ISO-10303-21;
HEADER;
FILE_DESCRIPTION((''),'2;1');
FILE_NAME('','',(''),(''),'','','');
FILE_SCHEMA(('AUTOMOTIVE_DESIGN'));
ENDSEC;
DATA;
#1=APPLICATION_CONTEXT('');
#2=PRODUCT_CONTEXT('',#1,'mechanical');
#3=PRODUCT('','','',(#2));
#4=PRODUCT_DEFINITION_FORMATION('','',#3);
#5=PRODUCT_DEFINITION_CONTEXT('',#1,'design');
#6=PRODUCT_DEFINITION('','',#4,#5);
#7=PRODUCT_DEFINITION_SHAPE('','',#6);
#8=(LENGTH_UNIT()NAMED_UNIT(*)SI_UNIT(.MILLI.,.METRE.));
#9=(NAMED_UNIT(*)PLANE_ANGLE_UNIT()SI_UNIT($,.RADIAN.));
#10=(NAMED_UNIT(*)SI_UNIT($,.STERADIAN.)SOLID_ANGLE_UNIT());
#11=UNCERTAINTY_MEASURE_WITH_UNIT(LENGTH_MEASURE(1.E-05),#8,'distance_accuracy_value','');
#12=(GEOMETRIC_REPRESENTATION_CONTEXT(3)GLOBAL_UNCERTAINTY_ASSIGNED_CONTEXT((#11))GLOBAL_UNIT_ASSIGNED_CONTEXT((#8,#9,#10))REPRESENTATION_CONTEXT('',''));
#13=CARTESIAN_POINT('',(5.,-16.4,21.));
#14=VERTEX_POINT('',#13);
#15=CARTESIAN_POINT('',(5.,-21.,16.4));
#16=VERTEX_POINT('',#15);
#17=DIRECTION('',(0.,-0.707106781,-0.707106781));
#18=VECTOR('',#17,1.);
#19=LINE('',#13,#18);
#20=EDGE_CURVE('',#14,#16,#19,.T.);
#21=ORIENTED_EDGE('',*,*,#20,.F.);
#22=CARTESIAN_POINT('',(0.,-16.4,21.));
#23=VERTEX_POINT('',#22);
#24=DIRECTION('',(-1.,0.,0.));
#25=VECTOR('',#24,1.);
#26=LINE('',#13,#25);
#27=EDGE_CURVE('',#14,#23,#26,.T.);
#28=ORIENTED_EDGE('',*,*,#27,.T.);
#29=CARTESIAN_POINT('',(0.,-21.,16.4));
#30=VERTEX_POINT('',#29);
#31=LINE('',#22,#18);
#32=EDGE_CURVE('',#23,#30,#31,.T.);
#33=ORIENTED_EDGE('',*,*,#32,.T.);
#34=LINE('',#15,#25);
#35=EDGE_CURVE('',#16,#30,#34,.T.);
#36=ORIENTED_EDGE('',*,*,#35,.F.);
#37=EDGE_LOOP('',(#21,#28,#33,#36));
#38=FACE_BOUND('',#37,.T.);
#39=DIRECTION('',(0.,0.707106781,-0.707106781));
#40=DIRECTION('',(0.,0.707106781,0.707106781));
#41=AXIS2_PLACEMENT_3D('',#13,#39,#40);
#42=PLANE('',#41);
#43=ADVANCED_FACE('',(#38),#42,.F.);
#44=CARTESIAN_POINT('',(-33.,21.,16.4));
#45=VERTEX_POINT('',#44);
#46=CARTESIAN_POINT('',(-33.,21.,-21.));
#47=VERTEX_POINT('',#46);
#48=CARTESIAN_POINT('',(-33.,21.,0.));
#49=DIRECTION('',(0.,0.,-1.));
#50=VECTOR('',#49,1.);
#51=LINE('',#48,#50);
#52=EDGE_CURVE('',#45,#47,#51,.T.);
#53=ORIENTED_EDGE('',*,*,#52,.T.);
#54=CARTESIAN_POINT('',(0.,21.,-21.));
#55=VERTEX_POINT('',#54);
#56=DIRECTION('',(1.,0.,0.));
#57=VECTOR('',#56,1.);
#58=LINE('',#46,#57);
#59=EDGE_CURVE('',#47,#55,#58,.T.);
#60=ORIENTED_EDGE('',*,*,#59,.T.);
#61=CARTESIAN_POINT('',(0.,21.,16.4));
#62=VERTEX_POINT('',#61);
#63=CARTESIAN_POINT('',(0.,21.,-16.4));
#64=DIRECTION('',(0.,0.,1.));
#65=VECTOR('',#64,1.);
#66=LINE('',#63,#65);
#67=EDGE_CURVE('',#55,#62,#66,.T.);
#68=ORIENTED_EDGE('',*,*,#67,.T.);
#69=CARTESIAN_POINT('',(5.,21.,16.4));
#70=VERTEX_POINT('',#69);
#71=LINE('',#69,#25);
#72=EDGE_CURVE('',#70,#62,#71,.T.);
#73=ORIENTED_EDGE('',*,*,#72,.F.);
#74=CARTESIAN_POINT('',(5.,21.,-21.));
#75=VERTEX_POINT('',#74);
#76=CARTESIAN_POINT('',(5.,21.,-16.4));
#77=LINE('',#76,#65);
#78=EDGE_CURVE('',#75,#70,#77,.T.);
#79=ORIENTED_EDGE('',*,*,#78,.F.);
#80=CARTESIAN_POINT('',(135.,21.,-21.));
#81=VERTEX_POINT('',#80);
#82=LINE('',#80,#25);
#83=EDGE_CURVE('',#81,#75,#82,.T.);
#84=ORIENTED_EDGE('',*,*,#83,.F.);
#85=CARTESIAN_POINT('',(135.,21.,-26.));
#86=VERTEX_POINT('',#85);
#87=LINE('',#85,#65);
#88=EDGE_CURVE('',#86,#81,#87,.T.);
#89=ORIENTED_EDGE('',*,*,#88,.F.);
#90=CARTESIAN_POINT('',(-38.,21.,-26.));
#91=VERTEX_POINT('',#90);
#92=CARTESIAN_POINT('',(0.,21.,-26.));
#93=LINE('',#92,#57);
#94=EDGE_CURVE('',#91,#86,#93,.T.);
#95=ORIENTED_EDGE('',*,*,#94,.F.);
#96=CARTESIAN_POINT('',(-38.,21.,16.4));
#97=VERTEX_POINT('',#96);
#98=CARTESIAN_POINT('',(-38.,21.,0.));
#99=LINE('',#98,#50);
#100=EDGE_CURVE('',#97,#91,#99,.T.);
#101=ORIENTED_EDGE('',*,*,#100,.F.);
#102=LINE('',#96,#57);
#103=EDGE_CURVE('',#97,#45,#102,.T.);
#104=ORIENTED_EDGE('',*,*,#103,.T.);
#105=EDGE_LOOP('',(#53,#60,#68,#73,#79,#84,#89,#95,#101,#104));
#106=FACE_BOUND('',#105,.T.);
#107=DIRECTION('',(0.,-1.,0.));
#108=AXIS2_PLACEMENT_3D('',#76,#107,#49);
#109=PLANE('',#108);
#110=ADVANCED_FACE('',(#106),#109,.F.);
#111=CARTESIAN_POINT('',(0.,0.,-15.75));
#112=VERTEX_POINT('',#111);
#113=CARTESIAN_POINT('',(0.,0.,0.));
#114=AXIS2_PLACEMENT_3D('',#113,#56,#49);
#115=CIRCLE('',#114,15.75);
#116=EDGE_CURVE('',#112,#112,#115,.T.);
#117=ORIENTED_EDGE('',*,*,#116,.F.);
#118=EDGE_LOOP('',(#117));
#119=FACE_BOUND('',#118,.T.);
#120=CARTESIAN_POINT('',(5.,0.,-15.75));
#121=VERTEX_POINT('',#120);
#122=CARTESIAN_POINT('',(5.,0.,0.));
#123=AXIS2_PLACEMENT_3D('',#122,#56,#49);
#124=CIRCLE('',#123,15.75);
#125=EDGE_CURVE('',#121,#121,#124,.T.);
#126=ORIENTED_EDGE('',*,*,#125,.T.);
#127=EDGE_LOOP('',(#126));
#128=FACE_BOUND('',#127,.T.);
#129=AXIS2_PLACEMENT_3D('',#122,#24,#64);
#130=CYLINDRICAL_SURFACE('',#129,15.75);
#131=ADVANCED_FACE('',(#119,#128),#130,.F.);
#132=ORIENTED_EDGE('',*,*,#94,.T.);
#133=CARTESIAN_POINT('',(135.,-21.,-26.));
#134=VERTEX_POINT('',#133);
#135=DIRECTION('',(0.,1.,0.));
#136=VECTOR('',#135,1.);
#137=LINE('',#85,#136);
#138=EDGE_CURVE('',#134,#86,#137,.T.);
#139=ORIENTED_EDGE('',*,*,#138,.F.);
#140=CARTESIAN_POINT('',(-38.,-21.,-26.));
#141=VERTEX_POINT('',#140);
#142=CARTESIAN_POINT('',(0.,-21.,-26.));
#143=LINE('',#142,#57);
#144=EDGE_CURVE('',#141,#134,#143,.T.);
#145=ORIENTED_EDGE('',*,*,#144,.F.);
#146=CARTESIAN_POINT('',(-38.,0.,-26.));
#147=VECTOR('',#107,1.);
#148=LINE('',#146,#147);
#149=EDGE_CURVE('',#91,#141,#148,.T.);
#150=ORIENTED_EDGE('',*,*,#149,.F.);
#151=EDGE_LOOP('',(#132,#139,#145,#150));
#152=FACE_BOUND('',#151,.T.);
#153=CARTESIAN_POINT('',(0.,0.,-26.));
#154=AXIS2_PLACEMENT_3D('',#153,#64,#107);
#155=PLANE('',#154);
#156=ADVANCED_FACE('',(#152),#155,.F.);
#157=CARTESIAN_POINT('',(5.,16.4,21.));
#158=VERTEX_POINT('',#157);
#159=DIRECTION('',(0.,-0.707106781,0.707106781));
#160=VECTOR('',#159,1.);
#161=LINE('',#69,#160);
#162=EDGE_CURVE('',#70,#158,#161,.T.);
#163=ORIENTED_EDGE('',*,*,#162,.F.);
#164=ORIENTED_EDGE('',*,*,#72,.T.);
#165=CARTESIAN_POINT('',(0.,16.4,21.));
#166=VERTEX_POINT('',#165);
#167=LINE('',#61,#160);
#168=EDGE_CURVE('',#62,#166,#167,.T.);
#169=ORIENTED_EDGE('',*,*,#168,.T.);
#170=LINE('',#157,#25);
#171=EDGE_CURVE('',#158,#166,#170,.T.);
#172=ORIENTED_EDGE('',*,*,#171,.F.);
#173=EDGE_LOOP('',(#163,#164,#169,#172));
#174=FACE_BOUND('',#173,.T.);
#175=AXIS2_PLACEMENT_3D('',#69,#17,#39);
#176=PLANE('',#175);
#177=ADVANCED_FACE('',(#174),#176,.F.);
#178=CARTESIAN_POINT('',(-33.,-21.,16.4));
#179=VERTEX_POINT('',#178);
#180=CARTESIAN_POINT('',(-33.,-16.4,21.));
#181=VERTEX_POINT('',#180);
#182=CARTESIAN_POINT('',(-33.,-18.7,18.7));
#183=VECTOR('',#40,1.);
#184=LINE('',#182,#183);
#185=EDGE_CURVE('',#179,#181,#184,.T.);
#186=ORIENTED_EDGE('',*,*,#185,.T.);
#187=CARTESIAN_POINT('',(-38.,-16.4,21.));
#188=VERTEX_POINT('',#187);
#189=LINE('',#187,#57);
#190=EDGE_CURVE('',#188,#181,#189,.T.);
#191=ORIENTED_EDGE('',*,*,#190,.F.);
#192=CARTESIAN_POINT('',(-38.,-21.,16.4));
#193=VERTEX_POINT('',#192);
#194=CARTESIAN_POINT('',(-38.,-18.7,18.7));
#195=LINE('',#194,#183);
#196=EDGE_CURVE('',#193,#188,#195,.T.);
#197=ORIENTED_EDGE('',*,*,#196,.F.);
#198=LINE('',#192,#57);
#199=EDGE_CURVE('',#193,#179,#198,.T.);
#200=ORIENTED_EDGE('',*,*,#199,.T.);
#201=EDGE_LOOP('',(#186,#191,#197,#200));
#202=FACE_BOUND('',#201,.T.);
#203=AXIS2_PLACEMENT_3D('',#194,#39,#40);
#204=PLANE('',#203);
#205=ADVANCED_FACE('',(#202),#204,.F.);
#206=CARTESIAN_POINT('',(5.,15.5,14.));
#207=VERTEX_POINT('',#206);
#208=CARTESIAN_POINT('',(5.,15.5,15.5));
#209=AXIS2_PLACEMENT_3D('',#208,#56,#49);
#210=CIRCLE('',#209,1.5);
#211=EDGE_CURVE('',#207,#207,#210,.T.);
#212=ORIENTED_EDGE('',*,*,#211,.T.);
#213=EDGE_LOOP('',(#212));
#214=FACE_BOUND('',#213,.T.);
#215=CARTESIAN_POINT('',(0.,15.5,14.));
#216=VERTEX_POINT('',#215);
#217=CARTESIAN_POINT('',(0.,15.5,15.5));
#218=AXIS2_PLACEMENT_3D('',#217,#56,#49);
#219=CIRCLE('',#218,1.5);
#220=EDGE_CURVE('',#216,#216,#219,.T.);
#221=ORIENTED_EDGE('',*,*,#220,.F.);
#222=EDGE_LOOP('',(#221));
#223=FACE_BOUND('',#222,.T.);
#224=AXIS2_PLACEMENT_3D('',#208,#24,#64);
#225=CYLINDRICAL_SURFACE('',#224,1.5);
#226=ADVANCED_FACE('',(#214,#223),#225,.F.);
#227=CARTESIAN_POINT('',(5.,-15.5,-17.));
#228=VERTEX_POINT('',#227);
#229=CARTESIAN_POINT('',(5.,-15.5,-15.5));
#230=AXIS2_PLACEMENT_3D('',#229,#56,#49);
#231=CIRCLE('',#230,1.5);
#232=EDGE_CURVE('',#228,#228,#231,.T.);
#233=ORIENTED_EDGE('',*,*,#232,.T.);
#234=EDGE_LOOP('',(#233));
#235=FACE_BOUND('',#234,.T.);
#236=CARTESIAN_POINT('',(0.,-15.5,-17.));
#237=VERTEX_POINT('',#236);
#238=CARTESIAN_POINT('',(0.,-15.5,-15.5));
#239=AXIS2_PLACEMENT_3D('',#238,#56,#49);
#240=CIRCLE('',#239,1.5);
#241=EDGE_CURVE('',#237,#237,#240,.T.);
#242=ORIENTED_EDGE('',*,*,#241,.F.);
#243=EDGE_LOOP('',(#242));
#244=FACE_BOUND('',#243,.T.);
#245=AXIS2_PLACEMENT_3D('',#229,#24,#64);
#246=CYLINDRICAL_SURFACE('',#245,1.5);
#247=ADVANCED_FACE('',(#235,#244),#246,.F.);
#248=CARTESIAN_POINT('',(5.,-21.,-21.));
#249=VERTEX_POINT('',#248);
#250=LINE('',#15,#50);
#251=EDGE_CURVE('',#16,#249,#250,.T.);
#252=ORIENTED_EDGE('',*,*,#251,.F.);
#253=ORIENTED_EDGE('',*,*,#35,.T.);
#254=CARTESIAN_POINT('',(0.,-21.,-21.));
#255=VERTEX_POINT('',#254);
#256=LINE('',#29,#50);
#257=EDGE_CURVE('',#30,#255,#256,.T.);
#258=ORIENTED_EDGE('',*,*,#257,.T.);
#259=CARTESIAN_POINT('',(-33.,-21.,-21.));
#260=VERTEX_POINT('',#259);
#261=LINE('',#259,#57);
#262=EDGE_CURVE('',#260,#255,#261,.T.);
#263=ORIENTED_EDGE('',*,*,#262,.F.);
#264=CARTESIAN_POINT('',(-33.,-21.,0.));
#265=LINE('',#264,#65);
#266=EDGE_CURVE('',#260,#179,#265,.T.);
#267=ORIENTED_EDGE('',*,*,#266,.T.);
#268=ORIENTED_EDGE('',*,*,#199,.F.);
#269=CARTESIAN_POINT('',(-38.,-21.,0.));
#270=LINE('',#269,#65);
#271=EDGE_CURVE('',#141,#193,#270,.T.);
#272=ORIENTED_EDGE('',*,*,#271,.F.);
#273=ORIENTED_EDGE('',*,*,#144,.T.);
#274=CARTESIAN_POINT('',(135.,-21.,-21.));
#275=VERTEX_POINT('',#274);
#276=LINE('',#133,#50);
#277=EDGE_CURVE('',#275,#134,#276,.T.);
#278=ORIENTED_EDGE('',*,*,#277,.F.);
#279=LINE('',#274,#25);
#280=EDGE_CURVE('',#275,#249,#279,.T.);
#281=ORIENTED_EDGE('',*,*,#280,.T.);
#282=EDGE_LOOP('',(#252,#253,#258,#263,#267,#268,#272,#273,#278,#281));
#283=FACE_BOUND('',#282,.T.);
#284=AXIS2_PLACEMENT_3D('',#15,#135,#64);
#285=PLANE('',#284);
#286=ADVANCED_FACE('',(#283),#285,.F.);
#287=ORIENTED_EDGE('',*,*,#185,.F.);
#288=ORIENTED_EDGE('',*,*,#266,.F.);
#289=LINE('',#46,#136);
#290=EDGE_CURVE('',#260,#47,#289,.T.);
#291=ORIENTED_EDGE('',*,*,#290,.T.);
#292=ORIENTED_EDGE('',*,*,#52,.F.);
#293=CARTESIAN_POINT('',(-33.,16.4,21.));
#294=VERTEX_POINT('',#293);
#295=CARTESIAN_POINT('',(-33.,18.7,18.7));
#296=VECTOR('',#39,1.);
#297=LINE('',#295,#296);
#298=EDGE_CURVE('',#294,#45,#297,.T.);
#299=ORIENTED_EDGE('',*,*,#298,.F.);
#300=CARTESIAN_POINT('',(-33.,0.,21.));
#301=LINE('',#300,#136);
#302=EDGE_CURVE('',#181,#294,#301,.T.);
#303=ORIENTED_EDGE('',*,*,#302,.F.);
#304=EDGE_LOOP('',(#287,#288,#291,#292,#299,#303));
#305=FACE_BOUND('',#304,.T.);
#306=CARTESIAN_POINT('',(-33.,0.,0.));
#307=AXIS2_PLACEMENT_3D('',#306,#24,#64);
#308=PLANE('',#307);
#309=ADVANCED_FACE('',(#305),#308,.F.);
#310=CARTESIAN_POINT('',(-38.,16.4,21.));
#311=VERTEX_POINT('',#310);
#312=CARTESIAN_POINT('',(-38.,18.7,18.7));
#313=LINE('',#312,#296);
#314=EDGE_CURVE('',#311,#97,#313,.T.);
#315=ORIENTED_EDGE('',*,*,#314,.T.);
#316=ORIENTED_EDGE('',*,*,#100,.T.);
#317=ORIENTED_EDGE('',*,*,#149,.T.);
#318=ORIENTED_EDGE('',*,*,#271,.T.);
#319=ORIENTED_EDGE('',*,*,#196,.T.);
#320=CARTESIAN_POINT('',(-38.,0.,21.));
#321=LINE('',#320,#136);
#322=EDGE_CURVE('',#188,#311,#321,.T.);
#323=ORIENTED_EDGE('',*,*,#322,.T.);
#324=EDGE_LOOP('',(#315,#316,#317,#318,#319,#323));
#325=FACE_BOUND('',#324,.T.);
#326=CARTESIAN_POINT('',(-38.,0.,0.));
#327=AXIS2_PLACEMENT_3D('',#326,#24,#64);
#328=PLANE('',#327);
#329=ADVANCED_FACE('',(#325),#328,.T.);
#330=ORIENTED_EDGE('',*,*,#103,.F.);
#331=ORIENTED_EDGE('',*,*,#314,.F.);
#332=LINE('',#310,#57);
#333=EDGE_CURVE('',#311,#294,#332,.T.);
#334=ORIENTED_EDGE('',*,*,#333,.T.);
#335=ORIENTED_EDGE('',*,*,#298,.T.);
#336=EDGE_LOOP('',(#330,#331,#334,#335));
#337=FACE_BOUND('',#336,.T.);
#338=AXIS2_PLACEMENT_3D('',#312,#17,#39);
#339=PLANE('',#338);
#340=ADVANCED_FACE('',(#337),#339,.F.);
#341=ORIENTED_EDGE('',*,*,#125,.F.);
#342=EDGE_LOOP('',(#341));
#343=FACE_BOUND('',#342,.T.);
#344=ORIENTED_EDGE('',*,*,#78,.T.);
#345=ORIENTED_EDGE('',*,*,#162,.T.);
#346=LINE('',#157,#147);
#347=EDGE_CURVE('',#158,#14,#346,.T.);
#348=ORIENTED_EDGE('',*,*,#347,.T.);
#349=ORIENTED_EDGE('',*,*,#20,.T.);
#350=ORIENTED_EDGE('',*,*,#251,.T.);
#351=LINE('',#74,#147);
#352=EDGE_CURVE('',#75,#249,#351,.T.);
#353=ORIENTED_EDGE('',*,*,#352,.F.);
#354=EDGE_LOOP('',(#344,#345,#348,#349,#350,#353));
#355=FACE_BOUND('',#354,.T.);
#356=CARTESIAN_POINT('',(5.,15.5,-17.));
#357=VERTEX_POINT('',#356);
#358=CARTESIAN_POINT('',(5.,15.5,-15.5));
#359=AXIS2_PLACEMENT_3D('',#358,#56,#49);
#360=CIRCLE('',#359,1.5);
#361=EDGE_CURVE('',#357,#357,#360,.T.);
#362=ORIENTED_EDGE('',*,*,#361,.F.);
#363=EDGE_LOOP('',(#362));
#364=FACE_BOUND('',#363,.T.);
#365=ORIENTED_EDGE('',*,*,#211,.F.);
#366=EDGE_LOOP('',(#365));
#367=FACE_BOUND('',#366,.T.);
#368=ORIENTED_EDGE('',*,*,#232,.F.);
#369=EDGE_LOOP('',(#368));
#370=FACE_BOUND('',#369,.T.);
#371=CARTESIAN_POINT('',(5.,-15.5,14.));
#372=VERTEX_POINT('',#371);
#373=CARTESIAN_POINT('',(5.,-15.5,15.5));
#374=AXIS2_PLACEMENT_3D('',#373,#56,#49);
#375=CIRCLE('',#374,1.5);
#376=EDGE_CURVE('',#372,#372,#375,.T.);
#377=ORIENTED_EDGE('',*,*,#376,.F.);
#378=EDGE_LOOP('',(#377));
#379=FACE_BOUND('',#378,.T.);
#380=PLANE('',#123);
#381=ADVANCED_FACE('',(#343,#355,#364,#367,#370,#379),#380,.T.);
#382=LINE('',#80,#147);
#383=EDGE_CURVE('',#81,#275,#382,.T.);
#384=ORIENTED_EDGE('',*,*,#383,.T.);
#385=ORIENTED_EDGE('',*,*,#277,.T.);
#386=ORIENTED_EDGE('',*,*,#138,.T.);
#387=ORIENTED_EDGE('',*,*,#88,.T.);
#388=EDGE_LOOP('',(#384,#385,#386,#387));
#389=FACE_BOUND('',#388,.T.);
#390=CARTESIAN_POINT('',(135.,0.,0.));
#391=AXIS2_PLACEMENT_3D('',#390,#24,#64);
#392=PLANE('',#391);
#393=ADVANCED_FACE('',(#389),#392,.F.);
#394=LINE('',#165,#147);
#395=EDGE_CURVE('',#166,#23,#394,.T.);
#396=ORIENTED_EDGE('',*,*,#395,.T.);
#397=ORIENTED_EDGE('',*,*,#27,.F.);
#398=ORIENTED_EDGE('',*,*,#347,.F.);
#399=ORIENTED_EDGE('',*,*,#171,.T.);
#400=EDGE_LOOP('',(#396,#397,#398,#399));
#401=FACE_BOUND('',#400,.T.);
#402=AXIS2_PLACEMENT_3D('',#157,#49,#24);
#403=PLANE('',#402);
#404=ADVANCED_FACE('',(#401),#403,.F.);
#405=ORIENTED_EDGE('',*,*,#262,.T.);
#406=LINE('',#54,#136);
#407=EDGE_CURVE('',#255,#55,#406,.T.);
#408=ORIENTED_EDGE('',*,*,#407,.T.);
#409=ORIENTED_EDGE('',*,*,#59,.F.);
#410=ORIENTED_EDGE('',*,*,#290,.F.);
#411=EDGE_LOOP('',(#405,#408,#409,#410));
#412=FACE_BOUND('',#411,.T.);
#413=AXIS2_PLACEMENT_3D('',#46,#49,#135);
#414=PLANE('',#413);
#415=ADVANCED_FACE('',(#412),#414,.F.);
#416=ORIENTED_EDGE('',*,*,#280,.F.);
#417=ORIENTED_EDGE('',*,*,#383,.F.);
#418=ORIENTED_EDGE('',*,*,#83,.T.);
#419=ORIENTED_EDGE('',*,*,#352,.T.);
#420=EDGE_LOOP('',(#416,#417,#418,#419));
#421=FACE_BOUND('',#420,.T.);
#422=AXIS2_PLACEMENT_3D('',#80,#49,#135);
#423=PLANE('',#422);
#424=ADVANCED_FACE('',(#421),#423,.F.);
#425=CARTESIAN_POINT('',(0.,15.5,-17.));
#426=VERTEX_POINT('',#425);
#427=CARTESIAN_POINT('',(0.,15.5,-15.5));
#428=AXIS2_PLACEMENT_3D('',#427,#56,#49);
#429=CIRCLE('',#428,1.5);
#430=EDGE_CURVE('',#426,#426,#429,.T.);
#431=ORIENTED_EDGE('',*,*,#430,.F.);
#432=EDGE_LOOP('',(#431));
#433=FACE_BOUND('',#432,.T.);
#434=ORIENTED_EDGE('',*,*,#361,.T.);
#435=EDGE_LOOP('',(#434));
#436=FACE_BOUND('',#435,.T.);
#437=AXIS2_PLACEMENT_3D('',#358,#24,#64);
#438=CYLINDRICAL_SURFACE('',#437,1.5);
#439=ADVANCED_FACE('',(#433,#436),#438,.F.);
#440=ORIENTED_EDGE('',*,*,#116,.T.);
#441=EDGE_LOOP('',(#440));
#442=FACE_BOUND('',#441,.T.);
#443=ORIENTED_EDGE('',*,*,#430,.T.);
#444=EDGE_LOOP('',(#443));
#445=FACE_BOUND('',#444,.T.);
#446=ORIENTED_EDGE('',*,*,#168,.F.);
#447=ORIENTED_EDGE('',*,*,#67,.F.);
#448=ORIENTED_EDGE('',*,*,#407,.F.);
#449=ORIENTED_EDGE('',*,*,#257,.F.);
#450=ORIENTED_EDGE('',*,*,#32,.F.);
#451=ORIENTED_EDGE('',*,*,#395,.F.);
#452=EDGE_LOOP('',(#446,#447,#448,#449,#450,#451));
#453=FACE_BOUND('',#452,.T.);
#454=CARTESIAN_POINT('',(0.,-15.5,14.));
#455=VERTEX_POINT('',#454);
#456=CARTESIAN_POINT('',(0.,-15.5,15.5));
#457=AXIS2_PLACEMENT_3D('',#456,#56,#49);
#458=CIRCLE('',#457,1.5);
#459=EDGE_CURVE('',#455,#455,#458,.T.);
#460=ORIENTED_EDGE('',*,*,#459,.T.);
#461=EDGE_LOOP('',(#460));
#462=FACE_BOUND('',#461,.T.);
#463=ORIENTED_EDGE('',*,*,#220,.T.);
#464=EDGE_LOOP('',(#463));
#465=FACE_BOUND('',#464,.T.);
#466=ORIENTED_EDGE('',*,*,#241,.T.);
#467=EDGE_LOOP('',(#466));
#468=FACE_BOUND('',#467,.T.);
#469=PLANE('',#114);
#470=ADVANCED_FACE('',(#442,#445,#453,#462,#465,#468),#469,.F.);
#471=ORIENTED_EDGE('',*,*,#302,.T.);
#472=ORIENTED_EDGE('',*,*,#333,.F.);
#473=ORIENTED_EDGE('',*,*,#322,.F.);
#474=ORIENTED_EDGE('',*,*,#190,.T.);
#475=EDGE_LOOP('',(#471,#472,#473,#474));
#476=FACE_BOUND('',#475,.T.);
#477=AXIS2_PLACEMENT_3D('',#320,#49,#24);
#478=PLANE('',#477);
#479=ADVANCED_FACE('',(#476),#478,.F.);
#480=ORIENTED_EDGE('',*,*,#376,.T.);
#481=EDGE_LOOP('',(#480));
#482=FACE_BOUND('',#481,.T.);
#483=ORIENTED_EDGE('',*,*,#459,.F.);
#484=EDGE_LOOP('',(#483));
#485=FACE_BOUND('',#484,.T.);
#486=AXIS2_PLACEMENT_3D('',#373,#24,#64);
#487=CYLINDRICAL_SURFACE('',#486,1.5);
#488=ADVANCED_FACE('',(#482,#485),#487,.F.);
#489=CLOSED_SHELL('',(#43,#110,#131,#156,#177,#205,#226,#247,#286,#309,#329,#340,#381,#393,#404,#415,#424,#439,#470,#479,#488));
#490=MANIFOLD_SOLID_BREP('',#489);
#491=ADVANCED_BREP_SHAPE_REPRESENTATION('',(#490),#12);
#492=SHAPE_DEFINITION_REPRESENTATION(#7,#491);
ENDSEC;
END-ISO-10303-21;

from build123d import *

# Parameters (mm, degrees)
BOSS_EXTRUDE1_DEPTH = 5
BOSS_EXTRUDE3_DEPTH = 5
SKETCH5_W           = 5
SKETCH5_H           = 42
BOSS_EXTRUDE4_DEPTH = 33
SKETCH6_W           = 5
SKETCH6_H           = 42
BOSS_EXTRUDE5_DEPTH = 5
SKETCH7_W           = 5
SKETCH7_H           = 42
BOSS_EXTRUDE6_DEPTH = 130


with BuildPart() as part:
    # Sketch2 → Boss-Extrude1 (new body)
    with BuildSketch(Plane(origin=(0, 0, 0), x_dir=(0, 0, -1), z_dir=(1, 0, 0))):
        Polygon((-21, 16.4), (-21, -16.4), (-16.4, -21), (16.4, -21), (21, -16.4), (21, 16.4), (16.4, 21), (-16.4, 21), align=None)
        with BuildLine():
            ThreePointArc((-14, 15.5), (-15.5, 17), (-17, 15.5))
            ThreePointArc((-17, 15.5), (-15.5, 14), (-14, 15.5))
        make_face(mode=Mode.SUBTRACT)
        with BuildLine():
            ThreePointArc((15.75, 0), (0, 15.75), (-15.75, 0))
            ThreePointArc((-15.75, 0), (0, -15.75), (15.75, 0))
        make_face(mode=Mode.SUBTRACT)
        with BuildLine():
            ThreePointArc((17, -15.5), (15.5, -14), (14, -15.5))
            ThreePointArc((14, -15.5), (15.5, -17), (17, -15.5))
        make_face(mode=Mode.SUBTRACT)
        with BuildLine():
            ThreePointArc((17, 15.5), (15.5, 17), (14, 15.5))
            ThreePointArc((14, 15.5), (15.5, 14), (17, 15.5))
        make_face(mode=Mode.SUBTRACT)
        with BuildLine():
            ThreePointArc((-14, -15.5), (-15.5, -14), (-17, -15.5))
            ThreePointArc((-17, -15.5), (-15.5, -17), (-14, -15.5))
        make_face(mode=Mode.SUBTRACT)
    extrude(amount=BOSS_EXTRUDE1_DEPTH)

    # Sketch4 → Boss-Extrude3 (add)
    with BuildSketch(Plane(origin=(5, 0, 0), x_dir=(0, 0, -1), z_dir=(1, 0, 0))):
        Polygon((26, 21), (26, -21), (16.4, -21), (21, -16.4), (21, 16.4), (16.4, 21), align=None)
    extrude(amount=-BOSS_EXTRUDE3_DEPTH)

    # Sketch5 → Boss-Extrude4 (add)
    with BuildSketch(Plane.ZY):
        with Locations((-23.5, 0)):
            Rectangle(SKETCH5_W, SKETCH5_H)
    extrude(amount=BOSS_EXTRUDE4_DEPTH)

    # Sketch6 → Boss-Extrude5 (add)
    with BuildSketch(Plane.ZY.offset(33)):
        with Locations((-23.5, 0)):
            Rectangle(SKETCH6_W, SKETCH6_H)
        Polygon((21, 16.4), (16.4, 21), (-21, 21), (-21, -21), (16.4, -21), (21, -16.4), align=None)
    extrude(amount=BOSS_EXTRUDE5_DEPTH)

    # Sketch7 → Boss-Extrude6 (add)
    with BuildSketch(Plane(origin=(5, 0, 0), x_dir=(0, 0, -1), z_dir=(1, 0, 0))):
        with Locations((23.5, 0)):
            Rectangle(SKETCH7_W, SKETCH7_H)
    extrude(amount=BOSS_EXTRUDE6_DEPTH)


solid = part.part
